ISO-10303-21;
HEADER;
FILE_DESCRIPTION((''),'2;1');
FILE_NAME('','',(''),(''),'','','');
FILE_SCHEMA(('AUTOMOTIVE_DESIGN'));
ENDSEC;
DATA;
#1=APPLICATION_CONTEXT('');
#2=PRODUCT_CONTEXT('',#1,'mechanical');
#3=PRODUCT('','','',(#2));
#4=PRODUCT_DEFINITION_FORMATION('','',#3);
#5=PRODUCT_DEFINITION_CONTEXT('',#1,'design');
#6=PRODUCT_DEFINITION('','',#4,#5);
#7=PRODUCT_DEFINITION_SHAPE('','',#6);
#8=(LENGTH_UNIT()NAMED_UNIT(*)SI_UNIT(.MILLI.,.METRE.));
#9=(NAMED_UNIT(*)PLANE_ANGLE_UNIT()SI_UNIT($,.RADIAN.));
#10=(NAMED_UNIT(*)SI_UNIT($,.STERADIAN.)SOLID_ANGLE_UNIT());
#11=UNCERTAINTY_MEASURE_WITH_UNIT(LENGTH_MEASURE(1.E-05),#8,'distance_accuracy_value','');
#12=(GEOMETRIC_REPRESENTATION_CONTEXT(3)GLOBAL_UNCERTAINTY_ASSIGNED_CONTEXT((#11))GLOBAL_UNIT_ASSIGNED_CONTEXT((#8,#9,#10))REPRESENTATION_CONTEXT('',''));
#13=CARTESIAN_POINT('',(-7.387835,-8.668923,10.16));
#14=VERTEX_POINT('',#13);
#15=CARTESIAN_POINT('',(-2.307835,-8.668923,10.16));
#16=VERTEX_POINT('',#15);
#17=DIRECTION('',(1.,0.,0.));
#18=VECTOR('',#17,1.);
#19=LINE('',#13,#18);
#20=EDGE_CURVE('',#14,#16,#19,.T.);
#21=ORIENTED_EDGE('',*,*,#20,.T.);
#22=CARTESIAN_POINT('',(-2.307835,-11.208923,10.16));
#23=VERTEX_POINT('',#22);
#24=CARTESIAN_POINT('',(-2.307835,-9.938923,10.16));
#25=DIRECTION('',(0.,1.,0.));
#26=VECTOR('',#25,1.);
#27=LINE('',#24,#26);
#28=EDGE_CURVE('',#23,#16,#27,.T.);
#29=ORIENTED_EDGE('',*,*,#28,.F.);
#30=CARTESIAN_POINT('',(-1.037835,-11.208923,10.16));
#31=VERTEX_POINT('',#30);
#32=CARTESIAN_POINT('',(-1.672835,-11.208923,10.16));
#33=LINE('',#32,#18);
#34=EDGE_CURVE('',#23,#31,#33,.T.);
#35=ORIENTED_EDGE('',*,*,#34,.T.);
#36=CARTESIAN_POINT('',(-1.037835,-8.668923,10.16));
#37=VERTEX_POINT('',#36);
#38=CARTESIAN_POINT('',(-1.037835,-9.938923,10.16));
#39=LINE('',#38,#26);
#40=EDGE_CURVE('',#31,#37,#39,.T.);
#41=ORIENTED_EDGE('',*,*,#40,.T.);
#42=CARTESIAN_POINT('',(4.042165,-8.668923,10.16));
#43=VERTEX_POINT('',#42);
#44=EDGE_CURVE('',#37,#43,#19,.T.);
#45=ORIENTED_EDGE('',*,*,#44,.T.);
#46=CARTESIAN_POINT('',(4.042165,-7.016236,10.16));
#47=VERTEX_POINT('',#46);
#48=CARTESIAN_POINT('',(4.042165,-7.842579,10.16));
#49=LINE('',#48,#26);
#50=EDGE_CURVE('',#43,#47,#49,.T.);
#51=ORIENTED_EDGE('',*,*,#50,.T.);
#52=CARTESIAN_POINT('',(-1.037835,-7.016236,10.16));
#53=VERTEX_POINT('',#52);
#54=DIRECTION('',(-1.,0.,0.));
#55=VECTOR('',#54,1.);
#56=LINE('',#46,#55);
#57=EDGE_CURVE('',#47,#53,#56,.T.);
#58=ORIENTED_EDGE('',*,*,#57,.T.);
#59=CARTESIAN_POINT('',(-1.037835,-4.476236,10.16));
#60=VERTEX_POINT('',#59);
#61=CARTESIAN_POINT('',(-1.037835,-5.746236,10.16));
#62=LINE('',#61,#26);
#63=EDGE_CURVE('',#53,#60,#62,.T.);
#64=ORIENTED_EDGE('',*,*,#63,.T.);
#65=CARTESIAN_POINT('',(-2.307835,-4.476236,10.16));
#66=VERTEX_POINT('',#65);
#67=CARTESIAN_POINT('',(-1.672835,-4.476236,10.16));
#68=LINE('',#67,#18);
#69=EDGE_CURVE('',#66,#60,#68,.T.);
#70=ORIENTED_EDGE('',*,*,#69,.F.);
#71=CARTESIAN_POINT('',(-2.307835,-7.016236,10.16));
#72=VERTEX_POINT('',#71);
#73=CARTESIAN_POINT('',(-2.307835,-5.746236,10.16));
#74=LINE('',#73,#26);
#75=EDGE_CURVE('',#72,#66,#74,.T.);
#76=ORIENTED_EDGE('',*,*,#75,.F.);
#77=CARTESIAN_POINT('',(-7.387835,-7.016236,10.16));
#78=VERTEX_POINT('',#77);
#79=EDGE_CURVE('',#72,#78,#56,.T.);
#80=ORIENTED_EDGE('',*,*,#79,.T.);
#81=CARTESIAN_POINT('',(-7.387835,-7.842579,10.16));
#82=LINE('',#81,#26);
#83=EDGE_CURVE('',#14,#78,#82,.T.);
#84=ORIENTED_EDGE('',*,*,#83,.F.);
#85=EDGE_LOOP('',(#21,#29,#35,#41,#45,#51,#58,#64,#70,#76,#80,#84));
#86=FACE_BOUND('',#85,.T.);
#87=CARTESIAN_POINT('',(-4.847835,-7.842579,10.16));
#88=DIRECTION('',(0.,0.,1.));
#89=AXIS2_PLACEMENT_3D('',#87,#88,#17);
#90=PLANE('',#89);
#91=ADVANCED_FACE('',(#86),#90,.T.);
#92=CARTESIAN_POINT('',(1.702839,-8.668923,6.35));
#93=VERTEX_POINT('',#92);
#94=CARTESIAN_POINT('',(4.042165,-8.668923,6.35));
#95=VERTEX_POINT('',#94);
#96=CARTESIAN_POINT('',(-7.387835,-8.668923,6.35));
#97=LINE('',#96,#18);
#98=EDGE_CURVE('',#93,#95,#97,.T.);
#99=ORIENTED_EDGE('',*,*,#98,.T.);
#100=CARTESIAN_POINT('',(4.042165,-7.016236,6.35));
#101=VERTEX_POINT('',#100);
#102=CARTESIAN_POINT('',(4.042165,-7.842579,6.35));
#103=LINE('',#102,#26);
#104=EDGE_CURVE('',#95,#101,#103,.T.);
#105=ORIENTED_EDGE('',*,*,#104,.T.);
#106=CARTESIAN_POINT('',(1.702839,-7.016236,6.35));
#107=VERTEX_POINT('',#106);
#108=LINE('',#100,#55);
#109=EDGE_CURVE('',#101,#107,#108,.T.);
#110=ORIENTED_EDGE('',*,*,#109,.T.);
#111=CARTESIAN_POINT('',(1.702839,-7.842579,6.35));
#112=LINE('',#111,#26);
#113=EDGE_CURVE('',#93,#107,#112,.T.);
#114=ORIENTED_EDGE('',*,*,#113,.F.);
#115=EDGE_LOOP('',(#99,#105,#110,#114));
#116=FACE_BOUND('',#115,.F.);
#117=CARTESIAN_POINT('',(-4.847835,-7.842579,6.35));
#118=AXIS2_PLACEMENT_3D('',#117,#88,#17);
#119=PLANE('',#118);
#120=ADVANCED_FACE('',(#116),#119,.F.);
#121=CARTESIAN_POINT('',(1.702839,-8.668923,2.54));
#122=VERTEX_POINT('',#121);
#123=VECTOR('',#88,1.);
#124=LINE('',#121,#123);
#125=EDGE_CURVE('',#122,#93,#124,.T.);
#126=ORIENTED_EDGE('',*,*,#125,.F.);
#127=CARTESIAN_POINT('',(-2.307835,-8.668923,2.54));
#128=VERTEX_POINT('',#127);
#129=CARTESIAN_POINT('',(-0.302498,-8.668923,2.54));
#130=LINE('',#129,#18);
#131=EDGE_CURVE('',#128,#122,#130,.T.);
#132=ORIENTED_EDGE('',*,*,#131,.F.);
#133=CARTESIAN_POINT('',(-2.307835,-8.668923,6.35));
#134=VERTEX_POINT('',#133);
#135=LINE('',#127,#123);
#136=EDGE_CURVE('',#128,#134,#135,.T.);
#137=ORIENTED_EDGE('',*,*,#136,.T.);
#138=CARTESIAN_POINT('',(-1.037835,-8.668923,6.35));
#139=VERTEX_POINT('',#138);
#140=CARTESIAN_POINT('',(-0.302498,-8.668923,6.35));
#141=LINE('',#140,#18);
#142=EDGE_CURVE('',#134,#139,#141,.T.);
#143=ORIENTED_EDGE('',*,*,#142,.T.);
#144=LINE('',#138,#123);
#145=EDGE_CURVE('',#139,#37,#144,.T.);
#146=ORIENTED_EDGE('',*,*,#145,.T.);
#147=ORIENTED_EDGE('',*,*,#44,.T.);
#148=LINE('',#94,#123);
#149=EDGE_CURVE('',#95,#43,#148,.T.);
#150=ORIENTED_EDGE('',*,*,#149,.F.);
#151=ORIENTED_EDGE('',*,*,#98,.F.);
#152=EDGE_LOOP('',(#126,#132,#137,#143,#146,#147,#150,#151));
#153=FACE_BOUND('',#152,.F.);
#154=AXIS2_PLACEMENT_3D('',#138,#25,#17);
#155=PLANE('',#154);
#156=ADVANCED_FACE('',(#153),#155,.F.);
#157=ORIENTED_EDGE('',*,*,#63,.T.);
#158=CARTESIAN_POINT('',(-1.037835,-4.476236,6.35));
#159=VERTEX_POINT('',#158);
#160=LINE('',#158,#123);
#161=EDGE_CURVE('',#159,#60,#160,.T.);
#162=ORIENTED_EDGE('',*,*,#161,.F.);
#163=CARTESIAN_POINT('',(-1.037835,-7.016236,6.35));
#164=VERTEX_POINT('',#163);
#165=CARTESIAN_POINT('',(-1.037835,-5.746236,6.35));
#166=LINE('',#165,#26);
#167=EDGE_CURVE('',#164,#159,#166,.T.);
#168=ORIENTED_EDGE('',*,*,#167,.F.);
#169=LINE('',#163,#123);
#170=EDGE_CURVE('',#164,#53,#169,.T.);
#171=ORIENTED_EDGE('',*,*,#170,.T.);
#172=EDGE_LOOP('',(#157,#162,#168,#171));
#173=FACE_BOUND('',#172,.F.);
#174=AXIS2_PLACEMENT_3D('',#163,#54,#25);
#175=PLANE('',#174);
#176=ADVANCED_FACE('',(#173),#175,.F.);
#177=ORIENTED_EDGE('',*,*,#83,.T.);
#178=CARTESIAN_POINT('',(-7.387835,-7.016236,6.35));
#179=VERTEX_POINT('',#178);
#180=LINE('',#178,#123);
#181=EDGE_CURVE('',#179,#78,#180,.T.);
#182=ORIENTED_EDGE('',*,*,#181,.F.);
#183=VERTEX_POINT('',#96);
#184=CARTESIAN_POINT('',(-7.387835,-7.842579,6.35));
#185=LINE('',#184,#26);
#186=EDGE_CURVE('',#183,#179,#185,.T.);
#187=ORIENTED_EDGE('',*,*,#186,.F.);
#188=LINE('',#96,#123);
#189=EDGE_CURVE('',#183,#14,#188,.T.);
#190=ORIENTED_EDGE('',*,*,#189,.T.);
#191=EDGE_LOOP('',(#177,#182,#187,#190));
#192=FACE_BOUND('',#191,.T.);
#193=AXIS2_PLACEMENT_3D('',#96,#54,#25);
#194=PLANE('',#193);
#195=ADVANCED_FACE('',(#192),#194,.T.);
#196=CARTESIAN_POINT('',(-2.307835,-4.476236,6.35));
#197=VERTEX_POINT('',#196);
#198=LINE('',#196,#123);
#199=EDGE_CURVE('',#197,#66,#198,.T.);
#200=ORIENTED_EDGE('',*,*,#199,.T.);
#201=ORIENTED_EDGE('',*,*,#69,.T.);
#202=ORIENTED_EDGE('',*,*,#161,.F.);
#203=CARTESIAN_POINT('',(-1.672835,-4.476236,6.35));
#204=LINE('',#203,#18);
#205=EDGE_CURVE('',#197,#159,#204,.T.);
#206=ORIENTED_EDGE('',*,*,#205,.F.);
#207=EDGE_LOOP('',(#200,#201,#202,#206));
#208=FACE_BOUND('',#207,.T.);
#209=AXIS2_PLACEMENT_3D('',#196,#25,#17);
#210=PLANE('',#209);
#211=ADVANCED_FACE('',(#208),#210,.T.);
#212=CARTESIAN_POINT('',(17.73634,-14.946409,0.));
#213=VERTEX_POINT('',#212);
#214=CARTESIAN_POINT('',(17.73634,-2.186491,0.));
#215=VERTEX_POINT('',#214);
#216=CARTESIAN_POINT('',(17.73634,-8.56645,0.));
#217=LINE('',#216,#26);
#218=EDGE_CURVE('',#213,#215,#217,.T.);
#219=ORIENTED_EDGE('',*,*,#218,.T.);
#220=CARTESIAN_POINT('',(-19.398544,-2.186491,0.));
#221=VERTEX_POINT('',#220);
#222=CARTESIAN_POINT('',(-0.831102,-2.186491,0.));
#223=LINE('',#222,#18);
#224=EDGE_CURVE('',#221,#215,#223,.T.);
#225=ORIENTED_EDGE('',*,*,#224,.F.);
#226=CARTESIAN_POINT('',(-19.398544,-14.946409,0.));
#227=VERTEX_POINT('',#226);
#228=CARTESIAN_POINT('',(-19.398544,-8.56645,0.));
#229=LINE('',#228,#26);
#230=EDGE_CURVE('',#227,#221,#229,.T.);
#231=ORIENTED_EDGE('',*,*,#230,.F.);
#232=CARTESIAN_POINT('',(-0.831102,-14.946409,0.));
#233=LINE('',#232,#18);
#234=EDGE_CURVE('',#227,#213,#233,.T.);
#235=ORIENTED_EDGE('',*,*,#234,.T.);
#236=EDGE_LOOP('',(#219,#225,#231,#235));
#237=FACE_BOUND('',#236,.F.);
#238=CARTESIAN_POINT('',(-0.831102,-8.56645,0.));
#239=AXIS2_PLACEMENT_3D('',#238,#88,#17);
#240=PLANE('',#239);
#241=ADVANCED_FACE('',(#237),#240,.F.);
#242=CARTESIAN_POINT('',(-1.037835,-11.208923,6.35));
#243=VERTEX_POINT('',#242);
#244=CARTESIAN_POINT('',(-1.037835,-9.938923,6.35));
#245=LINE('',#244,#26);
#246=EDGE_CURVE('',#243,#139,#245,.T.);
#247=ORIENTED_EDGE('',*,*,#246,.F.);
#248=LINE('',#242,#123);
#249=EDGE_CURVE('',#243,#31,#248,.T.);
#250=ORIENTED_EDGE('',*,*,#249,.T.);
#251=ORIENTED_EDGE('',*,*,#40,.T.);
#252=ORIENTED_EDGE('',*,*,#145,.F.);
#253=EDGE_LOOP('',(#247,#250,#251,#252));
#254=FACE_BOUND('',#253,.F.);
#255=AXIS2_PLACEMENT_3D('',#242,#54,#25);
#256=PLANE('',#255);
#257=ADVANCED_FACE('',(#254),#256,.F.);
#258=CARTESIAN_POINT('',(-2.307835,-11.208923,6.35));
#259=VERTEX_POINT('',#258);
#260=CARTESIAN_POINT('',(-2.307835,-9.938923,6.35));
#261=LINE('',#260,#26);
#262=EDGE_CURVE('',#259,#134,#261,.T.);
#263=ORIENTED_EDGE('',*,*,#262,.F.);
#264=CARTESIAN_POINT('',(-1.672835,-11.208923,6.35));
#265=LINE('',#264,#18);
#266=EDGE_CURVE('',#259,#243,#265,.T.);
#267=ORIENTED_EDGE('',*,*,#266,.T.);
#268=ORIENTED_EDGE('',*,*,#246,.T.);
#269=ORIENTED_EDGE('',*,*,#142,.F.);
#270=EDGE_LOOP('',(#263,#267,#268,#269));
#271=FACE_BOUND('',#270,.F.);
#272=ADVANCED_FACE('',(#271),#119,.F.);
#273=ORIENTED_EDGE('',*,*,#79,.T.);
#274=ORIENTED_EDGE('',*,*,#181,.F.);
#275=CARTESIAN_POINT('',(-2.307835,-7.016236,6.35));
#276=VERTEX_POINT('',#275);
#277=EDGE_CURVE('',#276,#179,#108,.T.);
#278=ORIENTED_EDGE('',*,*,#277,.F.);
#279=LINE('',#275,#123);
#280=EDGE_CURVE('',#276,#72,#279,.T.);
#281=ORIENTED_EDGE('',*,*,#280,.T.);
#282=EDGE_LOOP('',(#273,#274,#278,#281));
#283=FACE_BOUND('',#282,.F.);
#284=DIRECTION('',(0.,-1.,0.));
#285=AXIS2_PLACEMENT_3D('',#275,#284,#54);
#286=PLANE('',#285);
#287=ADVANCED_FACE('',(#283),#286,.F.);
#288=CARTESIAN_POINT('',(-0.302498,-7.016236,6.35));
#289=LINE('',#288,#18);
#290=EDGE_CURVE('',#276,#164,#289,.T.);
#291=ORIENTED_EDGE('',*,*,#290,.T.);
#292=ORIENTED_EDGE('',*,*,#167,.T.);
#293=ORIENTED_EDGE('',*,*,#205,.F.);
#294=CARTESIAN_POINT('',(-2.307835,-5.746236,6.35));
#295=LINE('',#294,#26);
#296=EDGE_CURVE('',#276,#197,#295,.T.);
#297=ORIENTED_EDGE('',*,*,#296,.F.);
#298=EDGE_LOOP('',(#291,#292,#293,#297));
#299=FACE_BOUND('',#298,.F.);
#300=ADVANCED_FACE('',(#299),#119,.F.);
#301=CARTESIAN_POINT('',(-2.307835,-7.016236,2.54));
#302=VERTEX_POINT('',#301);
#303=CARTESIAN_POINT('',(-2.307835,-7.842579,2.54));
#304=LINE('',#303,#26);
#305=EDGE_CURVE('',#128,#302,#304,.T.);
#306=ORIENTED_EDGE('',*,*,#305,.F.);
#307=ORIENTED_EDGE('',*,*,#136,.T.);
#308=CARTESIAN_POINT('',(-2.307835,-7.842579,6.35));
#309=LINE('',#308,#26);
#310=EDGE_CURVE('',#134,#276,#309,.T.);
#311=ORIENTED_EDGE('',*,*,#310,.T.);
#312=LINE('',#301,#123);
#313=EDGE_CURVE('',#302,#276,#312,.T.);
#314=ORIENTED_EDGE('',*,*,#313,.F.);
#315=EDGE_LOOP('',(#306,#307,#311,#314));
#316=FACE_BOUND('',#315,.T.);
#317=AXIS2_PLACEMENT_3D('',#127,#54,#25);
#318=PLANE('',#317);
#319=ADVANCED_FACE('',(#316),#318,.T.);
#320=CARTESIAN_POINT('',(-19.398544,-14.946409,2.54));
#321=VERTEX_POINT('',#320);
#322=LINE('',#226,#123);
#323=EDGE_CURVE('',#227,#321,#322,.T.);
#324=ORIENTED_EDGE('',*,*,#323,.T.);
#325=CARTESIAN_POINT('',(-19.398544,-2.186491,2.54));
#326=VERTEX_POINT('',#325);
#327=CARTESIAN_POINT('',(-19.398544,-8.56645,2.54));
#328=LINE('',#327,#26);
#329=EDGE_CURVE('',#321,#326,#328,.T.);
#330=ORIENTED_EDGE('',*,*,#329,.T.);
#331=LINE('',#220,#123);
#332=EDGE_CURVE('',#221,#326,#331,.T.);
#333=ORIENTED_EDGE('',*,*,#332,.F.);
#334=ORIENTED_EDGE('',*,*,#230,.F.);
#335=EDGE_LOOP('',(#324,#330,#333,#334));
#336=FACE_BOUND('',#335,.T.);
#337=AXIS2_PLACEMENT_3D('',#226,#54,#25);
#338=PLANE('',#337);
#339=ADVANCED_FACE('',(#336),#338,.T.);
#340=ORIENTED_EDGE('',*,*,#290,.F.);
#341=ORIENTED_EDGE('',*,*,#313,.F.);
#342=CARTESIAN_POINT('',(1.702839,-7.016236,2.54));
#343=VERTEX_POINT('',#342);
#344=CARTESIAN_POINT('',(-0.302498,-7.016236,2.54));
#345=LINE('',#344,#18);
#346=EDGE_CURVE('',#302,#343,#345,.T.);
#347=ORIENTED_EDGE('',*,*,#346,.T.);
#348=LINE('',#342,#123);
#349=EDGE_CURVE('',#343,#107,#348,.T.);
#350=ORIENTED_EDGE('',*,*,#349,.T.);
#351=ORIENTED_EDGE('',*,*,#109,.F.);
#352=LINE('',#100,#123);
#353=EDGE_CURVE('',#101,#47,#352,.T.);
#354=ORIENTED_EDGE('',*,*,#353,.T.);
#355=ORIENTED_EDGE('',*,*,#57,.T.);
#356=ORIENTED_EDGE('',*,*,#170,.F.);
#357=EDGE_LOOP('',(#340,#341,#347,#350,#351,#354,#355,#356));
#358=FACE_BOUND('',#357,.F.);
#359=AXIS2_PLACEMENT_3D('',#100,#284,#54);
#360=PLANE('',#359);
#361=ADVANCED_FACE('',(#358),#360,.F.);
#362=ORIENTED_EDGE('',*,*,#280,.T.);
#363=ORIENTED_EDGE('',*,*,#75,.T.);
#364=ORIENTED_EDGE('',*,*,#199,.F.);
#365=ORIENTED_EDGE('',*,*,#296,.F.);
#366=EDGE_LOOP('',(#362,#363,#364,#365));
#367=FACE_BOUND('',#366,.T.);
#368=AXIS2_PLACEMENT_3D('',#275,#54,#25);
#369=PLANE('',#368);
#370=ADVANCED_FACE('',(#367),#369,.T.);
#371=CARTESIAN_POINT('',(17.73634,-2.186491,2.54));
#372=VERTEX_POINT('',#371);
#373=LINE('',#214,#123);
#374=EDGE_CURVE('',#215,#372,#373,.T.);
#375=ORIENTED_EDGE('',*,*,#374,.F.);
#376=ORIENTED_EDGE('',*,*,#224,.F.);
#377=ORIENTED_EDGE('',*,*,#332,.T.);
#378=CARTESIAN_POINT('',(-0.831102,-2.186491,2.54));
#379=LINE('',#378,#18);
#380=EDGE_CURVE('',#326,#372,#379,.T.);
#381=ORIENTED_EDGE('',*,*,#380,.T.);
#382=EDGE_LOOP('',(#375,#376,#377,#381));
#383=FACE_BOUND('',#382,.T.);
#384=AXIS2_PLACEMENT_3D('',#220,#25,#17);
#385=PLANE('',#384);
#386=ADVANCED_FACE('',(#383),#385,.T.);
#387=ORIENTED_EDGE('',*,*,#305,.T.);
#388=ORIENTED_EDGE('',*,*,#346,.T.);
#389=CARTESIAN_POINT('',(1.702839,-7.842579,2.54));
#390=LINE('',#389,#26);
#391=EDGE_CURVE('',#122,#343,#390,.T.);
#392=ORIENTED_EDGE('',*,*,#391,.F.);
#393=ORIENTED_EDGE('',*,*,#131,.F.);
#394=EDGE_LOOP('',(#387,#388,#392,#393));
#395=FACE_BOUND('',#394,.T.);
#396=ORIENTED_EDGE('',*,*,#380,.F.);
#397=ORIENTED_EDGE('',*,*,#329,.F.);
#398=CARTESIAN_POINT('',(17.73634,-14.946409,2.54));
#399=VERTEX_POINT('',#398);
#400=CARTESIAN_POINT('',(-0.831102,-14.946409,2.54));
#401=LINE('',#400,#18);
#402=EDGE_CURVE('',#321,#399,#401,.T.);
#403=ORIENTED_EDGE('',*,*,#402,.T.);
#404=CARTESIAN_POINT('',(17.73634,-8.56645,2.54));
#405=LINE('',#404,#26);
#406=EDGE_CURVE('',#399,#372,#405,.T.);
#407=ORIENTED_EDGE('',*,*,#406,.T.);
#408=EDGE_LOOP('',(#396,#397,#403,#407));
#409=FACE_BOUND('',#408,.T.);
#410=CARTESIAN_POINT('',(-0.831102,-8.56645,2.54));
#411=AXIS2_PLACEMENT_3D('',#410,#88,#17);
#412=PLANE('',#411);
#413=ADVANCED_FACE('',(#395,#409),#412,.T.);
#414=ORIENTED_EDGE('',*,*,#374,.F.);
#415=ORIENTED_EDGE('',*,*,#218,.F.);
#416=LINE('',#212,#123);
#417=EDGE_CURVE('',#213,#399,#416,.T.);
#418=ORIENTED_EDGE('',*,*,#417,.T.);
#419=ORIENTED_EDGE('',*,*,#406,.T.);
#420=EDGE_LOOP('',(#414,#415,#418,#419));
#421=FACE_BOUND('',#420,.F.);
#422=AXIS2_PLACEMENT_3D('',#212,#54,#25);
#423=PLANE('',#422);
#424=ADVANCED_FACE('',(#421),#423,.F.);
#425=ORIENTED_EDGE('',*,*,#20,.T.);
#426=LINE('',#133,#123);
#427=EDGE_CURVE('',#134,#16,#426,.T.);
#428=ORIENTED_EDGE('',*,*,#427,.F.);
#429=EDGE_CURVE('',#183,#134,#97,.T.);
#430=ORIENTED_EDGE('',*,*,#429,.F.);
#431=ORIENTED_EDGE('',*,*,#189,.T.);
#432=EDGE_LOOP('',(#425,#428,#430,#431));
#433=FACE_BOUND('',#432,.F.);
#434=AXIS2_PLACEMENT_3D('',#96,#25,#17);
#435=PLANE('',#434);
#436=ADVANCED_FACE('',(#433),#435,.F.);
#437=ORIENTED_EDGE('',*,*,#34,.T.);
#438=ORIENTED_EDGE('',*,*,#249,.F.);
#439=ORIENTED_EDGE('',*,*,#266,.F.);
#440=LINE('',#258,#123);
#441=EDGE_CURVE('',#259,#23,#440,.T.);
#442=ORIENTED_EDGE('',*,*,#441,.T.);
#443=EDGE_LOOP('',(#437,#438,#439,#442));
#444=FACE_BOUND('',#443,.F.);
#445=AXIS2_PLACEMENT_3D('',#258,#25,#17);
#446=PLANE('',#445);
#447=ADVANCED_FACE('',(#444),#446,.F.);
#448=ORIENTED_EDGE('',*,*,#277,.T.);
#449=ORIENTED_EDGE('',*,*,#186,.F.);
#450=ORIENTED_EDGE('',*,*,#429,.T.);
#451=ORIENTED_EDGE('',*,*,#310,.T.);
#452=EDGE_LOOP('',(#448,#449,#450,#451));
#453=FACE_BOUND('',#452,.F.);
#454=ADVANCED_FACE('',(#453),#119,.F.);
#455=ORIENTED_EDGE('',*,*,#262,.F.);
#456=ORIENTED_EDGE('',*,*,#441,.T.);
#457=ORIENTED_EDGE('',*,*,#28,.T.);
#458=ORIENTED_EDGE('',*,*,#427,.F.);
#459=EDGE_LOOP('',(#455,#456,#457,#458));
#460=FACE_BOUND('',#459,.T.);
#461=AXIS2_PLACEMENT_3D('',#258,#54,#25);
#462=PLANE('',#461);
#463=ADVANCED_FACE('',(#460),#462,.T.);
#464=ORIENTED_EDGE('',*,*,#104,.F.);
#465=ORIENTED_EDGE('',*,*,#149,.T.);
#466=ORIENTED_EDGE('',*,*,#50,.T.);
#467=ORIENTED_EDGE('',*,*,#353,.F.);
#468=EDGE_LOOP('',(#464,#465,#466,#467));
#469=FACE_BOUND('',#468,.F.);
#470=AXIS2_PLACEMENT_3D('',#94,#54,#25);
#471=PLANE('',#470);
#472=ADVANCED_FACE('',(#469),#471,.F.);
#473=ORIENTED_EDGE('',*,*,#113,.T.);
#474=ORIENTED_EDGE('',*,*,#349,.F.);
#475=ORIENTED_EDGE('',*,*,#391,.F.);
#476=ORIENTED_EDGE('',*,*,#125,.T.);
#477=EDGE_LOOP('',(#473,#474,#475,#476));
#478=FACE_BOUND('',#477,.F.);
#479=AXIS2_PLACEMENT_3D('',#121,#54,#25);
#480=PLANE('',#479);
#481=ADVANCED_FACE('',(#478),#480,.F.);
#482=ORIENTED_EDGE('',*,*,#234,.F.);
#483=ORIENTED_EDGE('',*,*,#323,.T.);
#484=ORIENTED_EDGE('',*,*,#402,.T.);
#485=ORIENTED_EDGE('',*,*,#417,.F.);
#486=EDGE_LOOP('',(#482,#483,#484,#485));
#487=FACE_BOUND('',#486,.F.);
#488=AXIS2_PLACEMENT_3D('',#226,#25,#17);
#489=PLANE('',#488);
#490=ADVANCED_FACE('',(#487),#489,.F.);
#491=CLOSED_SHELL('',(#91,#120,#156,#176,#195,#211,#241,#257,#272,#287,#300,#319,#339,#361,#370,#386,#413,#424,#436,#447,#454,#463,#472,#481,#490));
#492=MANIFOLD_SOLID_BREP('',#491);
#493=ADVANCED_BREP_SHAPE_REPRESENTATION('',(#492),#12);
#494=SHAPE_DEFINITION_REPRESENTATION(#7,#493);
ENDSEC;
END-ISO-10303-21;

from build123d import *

# Parameters (mm, degrees)
F0_W     = 37.1348839253
F0_H     = 12.7599176485
F1_DEPTH = 2.54
F2_W     = 4.0106745437
F2_H     = 1.6526868567
F3_DEPTH = 3.81
F4_W     = 5.08
F4_H     = 1.6526868567
F4_W_2   = 1.27
F4_W_3   = 2.7406745437
F4_W_4   = 2.3393254563
F4_H_2   = 2.54
F5_DEPTH = 3.81


with BuildPart() as f1:
    # F0 (on Top) → F1 (new body)
    with BuildSketch(Plane.XY):
        with Locations((-0.831102021, -8.5664497456)):
            Rectangle(F0_W, F0_H)
    extrude(amount=F1_DEPTH)

    # F2 (on face) → F3 (join)
    with BuildSketch(Plane.XY.offset(2.54)):
        with Locations((-0.302497996, -7.8425793909)):
            Rectangle(F2_W, F2_H)
    extrude(amount=F3_DEPTH)

    # F4 (on face) → F5 (join)
    with BuildSketch(Plane.XY.offset(6.35)):
        with Locations((-4.8478352679, -7.8425793909)):
            Rectangle(F4_W, F4_H)
        with Locations((-1.6728352679, -7.8425793909)):
            Rectangle(F4_W_2, F4_H)
        with Locations((0.332502004, -7.8425793909)):
            Rectangle(F4_W_3, F4_H)
        with Locations((2.872502004, -7.8425793909)):
            Rectangle(F4_W_4, F4_H)
        with Locations((-1.6728352679, -5.7462359625)):
            Rectangle(F4_W_2, F4_H_2)
        with Locations((-1.6728352679, -9.9389228192)):
            Rectangle(F4_W_2, F4_H_2)
    extrude(amount=F5_DEPTH)


solid = f1.part
